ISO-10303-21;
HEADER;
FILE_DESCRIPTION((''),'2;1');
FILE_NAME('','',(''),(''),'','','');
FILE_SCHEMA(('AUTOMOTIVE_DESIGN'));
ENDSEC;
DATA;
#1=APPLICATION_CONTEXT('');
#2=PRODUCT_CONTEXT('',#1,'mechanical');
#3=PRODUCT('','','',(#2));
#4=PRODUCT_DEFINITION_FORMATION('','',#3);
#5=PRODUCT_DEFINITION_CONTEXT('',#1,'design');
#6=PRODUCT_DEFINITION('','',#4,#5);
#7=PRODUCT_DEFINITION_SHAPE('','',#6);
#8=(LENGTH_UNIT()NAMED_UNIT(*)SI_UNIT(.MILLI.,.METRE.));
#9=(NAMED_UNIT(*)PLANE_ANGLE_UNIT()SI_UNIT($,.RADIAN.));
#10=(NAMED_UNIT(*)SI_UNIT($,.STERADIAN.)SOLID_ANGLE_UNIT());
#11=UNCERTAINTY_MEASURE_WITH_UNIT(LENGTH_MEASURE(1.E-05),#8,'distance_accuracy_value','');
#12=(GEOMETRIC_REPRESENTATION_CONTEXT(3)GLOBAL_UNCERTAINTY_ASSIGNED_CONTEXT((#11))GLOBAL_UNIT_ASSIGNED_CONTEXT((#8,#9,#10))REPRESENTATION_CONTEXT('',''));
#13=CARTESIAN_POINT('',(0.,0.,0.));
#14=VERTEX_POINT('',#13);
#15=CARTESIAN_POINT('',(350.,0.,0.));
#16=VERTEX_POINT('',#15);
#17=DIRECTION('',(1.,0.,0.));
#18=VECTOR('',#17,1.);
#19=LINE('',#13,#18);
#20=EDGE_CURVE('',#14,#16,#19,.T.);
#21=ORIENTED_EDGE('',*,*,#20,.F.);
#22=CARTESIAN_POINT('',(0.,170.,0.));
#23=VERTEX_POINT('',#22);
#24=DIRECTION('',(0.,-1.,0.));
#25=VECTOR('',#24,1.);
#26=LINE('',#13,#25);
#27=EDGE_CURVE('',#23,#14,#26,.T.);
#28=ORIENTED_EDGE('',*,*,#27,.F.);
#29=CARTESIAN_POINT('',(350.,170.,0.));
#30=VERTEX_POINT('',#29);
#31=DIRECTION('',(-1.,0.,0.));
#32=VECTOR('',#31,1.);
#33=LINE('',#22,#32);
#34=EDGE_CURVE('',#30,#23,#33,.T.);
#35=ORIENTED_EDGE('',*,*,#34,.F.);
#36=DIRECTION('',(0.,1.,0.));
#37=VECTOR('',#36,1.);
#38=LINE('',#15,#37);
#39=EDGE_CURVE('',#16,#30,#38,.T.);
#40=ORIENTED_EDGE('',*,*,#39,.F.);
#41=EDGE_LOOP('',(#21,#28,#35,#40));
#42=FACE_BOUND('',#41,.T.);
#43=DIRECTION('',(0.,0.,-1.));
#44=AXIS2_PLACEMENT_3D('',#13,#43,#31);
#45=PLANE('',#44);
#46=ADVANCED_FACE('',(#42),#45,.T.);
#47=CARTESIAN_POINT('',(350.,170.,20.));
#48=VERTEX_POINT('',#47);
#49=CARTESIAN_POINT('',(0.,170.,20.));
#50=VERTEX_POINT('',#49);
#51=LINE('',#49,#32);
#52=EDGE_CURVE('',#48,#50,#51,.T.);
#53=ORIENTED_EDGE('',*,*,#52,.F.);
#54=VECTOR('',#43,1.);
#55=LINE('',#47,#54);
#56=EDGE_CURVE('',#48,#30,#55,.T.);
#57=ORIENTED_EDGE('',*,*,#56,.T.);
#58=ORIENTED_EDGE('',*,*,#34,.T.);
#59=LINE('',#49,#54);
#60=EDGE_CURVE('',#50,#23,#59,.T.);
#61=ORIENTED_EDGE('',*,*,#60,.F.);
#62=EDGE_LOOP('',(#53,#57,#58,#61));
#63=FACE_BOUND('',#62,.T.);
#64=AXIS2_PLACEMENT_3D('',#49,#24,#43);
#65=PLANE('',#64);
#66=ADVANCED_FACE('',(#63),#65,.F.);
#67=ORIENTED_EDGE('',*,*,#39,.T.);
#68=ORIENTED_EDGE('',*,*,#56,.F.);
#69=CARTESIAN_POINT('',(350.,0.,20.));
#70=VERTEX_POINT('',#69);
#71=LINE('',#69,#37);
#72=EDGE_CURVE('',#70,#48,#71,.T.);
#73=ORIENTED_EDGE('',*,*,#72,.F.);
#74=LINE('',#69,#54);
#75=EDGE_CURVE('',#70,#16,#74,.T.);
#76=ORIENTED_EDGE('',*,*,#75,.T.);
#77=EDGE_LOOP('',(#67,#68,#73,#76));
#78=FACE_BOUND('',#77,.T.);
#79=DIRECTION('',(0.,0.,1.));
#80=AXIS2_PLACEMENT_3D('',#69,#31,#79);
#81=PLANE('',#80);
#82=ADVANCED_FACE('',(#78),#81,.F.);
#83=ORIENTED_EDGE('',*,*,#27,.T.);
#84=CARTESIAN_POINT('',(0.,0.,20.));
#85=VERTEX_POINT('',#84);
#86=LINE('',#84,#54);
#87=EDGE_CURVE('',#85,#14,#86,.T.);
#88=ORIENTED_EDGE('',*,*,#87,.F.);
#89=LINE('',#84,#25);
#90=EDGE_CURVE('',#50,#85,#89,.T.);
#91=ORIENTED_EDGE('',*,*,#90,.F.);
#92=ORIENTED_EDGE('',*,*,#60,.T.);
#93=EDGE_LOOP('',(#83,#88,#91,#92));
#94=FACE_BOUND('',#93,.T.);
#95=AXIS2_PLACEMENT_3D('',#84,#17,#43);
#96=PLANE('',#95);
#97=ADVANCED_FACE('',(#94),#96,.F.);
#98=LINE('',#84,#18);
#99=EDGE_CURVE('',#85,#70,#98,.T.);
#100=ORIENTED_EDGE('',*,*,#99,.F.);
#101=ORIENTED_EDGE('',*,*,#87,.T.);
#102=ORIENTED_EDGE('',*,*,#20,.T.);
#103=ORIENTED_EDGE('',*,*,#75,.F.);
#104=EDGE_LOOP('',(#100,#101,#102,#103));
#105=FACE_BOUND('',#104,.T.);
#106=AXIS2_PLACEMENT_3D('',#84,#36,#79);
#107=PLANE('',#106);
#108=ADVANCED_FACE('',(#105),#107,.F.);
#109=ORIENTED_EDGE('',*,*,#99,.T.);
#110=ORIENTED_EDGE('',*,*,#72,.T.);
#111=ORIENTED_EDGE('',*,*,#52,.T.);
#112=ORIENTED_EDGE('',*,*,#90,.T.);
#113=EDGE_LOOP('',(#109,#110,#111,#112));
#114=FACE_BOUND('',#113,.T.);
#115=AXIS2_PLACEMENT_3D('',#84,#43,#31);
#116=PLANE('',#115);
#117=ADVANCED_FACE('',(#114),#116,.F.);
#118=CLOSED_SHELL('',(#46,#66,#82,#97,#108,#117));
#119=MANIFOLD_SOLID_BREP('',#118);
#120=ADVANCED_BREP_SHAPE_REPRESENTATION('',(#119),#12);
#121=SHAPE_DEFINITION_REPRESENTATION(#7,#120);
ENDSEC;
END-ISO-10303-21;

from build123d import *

# Parameters (mm, degrees)
SKETCH_1_W      = 350
SKETCH_1_H      = 170
EXTRUDE_1_DEPTH = 20


with BuildPart() as part:
    # Эскиз1 → Бобышка-Вытянуть1 (new body)
    with BuildSketch(Plane.XY):
        with Locations((175, 85)):
            Rectangle(SKETCH_1_W, SKETCH_1_H)
    extrude(amount=EXTRUDE_1_DEPTH)


solid = part.part
